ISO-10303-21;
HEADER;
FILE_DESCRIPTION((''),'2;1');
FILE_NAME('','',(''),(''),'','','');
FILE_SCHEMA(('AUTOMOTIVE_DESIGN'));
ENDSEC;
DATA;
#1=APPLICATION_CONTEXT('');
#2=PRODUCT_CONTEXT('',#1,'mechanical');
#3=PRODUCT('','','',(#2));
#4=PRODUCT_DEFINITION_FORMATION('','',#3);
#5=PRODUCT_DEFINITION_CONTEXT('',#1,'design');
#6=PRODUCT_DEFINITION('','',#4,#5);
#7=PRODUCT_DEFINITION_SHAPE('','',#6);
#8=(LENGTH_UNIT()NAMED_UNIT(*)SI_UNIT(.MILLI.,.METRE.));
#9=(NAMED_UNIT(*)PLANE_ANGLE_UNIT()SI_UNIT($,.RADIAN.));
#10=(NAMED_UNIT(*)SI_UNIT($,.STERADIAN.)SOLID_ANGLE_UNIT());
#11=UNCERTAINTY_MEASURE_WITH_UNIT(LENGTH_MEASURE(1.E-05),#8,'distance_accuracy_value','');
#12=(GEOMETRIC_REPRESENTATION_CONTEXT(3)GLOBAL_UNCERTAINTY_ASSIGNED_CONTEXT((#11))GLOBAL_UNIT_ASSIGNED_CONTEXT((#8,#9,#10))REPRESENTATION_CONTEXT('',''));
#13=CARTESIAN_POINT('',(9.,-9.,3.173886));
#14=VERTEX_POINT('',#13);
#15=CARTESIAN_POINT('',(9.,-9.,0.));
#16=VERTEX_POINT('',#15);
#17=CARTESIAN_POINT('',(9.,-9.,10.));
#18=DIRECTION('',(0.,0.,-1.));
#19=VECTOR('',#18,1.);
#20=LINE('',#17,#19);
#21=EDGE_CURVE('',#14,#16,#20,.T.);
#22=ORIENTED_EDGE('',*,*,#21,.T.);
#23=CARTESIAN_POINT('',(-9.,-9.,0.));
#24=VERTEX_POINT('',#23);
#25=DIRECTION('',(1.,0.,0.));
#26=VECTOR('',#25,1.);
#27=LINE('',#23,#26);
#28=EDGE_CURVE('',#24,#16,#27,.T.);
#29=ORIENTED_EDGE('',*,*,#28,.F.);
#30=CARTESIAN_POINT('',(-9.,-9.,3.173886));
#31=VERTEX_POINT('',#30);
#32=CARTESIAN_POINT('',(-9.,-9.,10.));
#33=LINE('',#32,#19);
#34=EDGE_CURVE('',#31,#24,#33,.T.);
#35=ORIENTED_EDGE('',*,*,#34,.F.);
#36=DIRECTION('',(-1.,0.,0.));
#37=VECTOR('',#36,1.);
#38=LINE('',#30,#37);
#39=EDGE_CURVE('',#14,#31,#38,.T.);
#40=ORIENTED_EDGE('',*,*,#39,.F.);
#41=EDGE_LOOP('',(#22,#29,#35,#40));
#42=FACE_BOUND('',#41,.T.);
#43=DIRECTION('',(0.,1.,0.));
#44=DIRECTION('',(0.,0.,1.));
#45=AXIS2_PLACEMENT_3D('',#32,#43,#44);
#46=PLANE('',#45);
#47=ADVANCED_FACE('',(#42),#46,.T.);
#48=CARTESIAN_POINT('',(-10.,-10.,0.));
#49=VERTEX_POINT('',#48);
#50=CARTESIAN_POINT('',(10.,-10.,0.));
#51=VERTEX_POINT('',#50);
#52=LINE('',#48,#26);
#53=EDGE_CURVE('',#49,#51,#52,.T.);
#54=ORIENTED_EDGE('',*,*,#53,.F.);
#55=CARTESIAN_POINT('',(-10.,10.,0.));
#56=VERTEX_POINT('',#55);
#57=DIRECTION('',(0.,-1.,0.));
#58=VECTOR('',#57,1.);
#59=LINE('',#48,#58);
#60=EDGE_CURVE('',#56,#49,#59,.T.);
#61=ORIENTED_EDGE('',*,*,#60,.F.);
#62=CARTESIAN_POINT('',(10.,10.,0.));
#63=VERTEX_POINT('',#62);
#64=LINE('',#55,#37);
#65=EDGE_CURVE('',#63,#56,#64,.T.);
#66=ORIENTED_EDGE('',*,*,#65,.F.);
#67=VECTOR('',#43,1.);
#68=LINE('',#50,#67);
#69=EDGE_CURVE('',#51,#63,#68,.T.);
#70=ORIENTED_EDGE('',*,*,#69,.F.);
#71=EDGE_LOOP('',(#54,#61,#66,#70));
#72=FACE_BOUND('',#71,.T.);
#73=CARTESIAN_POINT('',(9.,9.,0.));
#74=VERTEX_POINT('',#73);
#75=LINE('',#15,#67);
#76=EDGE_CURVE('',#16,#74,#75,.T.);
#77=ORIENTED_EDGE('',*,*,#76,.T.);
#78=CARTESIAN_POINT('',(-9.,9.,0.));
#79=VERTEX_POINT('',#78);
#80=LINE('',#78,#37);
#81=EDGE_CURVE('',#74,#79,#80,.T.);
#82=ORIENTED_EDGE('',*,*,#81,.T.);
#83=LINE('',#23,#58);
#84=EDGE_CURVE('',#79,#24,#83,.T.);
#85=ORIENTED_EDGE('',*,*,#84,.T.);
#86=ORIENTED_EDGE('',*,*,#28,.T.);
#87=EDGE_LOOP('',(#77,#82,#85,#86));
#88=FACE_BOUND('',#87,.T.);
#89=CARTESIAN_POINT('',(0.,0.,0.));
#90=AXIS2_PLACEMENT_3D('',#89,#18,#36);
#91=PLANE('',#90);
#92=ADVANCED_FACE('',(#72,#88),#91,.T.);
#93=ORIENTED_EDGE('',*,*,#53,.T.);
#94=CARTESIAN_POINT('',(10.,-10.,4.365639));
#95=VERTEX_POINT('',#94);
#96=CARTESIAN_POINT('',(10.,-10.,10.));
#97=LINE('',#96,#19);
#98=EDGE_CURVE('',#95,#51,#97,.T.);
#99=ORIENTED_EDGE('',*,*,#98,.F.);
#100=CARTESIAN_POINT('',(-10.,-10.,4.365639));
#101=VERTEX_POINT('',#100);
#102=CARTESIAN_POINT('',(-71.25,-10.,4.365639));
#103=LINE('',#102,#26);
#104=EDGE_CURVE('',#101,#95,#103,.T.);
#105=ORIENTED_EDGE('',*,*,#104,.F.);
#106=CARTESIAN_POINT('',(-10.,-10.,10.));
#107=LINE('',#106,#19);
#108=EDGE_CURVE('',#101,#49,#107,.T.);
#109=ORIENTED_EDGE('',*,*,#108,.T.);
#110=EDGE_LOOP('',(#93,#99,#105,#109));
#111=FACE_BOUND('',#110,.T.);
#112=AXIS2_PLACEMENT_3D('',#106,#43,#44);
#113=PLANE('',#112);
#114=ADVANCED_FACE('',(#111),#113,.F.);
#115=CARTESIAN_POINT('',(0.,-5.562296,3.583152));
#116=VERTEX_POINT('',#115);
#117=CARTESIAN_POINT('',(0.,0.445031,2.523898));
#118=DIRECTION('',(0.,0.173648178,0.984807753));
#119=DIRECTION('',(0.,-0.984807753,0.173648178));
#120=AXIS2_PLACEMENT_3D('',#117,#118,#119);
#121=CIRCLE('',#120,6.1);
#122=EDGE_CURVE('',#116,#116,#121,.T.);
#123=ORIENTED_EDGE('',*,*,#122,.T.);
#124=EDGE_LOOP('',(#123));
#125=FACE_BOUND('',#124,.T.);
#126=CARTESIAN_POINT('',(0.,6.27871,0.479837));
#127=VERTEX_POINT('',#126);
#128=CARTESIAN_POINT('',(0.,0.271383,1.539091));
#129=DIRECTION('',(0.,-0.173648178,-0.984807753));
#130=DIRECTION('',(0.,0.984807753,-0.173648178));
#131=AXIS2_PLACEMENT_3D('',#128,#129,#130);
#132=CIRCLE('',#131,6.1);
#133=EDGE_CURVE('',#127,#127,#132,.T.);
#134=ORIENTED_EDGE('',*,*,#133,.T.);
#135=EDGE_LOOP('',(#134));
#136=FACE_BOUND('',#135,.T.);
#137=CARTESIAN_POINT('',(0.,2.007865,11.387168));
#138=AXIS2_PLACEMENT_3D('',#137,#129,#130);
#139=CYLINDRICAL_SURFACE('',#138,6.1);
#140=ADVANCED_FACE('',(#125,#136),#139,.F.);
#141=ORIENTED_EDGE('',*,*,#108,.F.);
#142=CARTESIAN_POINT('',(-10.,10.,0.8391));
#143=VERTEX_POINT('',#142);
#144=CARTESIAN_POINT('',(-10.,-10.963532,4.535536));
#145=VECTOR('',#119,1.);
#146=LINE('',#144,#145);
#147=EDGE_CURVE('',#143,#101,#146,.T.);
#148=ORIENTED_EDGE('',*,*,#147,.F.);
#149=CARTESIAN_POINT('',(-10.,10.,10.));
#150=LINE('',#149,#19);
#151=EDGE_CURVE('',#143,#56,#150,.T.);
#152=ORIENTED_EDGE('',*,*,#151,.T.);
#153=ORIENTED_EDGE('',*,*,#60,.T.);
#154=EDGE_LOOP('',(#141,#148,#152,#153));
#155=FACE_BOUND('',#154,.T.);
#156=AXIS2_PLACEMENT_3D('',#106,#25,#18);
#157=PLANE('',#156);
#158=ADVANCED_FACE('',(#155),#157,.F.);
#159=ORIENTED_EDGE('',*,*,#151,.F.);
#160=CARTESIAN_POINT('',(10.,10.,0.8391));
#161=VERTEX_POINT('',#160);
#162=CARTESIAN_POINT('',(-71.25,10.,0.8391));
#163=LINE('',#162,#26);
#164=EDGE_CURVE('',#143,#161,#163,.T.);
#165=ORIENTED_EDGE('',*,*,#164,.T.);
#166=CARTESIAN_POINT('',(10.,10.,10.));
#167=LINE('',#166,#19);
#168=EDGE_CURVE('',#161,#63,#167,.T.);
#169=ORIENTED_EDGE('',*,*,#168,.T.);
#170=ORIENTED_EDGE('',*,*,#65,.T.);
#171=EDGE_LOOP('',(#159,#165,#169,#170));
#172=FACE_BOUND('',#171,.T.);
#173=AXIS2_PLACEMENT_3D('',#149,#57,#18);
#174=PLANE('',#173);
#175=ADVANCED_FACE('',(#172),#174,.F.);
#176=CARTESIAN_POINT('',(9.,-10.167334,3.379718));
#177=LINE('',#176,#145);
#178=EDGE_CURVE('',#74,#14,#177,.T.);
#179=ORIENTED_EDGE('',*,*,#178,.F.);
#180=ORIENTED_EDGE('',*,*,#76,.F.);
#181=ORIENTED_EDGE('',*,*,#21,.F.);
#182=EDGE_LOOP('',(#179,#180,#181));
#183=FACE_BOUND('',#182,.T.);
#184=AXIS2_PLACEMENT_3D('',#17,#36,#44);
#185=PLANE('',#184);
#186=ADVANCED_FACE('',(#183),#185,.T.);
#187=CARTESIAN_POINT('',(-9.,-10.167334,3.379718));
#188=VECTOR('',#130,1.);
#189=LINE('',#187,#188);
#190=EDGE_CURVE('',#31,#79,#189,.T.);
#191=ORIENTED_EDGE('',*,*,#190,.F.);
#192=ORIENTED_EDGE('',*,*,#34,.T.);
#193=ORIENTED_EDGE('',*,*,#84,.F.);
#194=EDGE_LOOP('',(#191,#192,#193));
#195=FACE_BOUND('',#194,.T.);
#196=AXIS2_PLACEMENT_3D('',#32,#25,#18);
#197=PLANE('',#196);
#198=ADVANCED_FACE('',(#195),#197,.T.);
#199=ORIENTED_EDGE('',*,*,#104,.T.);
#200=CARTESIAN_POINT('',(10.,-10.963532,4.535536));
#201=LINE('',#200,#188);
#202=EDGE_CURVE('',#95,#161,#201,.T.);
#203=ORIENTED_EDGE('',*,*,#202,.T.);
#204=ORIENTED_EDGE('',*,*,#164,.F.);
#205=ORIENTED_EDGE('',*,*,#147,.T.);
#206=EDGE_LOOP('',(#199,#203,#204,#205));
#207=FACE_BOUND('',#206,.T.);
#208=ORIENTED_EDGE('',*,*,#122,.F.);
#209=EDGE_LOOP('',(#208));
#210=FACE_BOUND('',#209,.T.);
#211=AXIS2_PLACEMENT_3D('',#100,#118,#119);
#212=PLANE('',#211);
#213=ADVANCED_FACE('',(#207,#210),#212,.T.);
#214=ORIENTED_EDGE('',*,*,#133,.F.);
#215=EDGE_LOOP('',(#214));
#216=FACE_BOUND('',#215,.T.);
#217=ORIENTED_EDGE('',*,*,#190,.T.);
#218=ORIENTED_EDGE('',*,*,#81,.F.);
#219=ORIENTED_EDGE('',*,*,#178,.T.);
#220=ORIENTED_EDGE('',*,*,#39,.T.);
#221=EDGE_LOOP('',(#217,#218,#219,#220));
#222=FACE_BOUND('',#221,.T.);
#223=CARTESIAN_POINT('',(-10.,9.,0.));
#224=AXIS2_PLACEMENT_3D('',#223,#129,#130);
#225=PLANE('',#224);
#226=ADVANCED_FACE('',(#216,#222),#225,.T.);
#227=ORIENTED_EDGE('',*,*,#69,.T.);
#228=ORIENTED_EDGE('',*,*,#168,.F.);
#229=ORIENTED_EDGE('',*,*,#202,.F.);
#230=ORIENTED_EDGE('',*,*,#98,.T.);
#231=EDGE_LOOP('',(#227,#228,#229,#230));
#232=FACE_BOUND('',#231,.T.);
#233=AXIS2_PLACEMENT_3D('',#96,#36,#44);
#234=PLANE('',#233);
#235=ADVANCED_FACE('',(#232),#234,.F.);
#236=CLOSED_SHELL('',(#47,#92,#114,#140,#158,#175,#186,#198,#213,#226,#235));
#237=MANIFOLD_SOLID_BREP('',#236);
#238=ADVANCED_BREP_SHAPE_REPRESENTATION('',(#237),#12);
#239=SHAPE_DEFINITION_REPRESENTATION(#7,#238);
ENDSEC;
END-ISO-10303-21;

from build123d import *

# Parameters (mm, degrees)
SKETCH1_W               = 20
SKETCH1_H               = 20
SKETCH1_W_2             = 18
SKETCH1_H_2             = 18
BOSS_EXTRUDE1_DEPTH     = 10
BOSS_EXTRUDE3_REACH     = 26.495
CUT_EXTRUDE1_DEPTH      = 25.494897428
CUT_EXTRUDE1_DEPTH_BACK = 25.494897428
SKETCH5_R               = 6.1
CUT_EXTRUDE2_DEPTH      = 10


with BuildPart() as part:
    # Sketch1 → Boss-Extrude1 (new body)
    with BuildSketch(Plane.XY):
        Rectangle(SKETCH1_W, SKETCH1_H)
        Rectangle(SKETCH1_W_2, SKETCH1_H_2, mode=Mode.SUBTRACT)
    extrude(amount=BOSS_EXTRUDE1_DEPTH)

    # Sketch3 → Boss-Extrude3 (add, up to next)
    with BuildSketch(Plane(origin=(10, 0, 0), x_dir=(0, 0, -1), z_dir=(1, 0, 0)), mode=Mode.PRIVATE) as boss_extrude3_sk1:
        Polygon((0, 9), (-3.350212633, -10), (-4.365639245, -10), (-1.015426612, 9), align=None)
    boss_extrude3_tool1 = extrude(boss_extrude3_sk1.sketch, amount=-BOSS_EXTRUDE3_REACH, mode=Mode.PRIVATE) - part.part
    add(boss_extrude3_tool1.solids().sort_by_distance((10, -0.5, 2.18282))[0])

    # Sketch4 → Cut-Extrude1 (cut, two sides: drawn at the far end of the back side and taken through both)
    with BuildSketch(Plane.ZY.offset(10).offset(-CUT_EXTRUDE1_DEPTH_BACK)):
        Polygon((-8.537287031, 63.176131209), (0.839099631, 10), (4.365639245, -10), (13.742025907, -63.176131209), (120.094288326, -44.423357885), (97.814975388, 81.928904533), align=None)
    extrude(amount=CUT_EXTRUDE1_DEPTH + CUT_EXTRUDE1_DEPTH_BACK, mode=Mode.SUBTRACT)

    # Sketch5 → Cut-Extrude2 (cut)
    with BuildSketch(Plane(origin=(0, 0.271383206, 1.539090645), x_dir=(-1, 0, 0), z_dir=(0, -0.17364817766692345, -0.9848077530122092))):
        with Locations(Location((0, 0, 0), (0, 0, 90))):
            Circle(SKETCH5_R)
    extrude(amount=-CUT_EXTRUDE2_DEPTH, mode=Mode.SUBTRACT)


solid = part.part
